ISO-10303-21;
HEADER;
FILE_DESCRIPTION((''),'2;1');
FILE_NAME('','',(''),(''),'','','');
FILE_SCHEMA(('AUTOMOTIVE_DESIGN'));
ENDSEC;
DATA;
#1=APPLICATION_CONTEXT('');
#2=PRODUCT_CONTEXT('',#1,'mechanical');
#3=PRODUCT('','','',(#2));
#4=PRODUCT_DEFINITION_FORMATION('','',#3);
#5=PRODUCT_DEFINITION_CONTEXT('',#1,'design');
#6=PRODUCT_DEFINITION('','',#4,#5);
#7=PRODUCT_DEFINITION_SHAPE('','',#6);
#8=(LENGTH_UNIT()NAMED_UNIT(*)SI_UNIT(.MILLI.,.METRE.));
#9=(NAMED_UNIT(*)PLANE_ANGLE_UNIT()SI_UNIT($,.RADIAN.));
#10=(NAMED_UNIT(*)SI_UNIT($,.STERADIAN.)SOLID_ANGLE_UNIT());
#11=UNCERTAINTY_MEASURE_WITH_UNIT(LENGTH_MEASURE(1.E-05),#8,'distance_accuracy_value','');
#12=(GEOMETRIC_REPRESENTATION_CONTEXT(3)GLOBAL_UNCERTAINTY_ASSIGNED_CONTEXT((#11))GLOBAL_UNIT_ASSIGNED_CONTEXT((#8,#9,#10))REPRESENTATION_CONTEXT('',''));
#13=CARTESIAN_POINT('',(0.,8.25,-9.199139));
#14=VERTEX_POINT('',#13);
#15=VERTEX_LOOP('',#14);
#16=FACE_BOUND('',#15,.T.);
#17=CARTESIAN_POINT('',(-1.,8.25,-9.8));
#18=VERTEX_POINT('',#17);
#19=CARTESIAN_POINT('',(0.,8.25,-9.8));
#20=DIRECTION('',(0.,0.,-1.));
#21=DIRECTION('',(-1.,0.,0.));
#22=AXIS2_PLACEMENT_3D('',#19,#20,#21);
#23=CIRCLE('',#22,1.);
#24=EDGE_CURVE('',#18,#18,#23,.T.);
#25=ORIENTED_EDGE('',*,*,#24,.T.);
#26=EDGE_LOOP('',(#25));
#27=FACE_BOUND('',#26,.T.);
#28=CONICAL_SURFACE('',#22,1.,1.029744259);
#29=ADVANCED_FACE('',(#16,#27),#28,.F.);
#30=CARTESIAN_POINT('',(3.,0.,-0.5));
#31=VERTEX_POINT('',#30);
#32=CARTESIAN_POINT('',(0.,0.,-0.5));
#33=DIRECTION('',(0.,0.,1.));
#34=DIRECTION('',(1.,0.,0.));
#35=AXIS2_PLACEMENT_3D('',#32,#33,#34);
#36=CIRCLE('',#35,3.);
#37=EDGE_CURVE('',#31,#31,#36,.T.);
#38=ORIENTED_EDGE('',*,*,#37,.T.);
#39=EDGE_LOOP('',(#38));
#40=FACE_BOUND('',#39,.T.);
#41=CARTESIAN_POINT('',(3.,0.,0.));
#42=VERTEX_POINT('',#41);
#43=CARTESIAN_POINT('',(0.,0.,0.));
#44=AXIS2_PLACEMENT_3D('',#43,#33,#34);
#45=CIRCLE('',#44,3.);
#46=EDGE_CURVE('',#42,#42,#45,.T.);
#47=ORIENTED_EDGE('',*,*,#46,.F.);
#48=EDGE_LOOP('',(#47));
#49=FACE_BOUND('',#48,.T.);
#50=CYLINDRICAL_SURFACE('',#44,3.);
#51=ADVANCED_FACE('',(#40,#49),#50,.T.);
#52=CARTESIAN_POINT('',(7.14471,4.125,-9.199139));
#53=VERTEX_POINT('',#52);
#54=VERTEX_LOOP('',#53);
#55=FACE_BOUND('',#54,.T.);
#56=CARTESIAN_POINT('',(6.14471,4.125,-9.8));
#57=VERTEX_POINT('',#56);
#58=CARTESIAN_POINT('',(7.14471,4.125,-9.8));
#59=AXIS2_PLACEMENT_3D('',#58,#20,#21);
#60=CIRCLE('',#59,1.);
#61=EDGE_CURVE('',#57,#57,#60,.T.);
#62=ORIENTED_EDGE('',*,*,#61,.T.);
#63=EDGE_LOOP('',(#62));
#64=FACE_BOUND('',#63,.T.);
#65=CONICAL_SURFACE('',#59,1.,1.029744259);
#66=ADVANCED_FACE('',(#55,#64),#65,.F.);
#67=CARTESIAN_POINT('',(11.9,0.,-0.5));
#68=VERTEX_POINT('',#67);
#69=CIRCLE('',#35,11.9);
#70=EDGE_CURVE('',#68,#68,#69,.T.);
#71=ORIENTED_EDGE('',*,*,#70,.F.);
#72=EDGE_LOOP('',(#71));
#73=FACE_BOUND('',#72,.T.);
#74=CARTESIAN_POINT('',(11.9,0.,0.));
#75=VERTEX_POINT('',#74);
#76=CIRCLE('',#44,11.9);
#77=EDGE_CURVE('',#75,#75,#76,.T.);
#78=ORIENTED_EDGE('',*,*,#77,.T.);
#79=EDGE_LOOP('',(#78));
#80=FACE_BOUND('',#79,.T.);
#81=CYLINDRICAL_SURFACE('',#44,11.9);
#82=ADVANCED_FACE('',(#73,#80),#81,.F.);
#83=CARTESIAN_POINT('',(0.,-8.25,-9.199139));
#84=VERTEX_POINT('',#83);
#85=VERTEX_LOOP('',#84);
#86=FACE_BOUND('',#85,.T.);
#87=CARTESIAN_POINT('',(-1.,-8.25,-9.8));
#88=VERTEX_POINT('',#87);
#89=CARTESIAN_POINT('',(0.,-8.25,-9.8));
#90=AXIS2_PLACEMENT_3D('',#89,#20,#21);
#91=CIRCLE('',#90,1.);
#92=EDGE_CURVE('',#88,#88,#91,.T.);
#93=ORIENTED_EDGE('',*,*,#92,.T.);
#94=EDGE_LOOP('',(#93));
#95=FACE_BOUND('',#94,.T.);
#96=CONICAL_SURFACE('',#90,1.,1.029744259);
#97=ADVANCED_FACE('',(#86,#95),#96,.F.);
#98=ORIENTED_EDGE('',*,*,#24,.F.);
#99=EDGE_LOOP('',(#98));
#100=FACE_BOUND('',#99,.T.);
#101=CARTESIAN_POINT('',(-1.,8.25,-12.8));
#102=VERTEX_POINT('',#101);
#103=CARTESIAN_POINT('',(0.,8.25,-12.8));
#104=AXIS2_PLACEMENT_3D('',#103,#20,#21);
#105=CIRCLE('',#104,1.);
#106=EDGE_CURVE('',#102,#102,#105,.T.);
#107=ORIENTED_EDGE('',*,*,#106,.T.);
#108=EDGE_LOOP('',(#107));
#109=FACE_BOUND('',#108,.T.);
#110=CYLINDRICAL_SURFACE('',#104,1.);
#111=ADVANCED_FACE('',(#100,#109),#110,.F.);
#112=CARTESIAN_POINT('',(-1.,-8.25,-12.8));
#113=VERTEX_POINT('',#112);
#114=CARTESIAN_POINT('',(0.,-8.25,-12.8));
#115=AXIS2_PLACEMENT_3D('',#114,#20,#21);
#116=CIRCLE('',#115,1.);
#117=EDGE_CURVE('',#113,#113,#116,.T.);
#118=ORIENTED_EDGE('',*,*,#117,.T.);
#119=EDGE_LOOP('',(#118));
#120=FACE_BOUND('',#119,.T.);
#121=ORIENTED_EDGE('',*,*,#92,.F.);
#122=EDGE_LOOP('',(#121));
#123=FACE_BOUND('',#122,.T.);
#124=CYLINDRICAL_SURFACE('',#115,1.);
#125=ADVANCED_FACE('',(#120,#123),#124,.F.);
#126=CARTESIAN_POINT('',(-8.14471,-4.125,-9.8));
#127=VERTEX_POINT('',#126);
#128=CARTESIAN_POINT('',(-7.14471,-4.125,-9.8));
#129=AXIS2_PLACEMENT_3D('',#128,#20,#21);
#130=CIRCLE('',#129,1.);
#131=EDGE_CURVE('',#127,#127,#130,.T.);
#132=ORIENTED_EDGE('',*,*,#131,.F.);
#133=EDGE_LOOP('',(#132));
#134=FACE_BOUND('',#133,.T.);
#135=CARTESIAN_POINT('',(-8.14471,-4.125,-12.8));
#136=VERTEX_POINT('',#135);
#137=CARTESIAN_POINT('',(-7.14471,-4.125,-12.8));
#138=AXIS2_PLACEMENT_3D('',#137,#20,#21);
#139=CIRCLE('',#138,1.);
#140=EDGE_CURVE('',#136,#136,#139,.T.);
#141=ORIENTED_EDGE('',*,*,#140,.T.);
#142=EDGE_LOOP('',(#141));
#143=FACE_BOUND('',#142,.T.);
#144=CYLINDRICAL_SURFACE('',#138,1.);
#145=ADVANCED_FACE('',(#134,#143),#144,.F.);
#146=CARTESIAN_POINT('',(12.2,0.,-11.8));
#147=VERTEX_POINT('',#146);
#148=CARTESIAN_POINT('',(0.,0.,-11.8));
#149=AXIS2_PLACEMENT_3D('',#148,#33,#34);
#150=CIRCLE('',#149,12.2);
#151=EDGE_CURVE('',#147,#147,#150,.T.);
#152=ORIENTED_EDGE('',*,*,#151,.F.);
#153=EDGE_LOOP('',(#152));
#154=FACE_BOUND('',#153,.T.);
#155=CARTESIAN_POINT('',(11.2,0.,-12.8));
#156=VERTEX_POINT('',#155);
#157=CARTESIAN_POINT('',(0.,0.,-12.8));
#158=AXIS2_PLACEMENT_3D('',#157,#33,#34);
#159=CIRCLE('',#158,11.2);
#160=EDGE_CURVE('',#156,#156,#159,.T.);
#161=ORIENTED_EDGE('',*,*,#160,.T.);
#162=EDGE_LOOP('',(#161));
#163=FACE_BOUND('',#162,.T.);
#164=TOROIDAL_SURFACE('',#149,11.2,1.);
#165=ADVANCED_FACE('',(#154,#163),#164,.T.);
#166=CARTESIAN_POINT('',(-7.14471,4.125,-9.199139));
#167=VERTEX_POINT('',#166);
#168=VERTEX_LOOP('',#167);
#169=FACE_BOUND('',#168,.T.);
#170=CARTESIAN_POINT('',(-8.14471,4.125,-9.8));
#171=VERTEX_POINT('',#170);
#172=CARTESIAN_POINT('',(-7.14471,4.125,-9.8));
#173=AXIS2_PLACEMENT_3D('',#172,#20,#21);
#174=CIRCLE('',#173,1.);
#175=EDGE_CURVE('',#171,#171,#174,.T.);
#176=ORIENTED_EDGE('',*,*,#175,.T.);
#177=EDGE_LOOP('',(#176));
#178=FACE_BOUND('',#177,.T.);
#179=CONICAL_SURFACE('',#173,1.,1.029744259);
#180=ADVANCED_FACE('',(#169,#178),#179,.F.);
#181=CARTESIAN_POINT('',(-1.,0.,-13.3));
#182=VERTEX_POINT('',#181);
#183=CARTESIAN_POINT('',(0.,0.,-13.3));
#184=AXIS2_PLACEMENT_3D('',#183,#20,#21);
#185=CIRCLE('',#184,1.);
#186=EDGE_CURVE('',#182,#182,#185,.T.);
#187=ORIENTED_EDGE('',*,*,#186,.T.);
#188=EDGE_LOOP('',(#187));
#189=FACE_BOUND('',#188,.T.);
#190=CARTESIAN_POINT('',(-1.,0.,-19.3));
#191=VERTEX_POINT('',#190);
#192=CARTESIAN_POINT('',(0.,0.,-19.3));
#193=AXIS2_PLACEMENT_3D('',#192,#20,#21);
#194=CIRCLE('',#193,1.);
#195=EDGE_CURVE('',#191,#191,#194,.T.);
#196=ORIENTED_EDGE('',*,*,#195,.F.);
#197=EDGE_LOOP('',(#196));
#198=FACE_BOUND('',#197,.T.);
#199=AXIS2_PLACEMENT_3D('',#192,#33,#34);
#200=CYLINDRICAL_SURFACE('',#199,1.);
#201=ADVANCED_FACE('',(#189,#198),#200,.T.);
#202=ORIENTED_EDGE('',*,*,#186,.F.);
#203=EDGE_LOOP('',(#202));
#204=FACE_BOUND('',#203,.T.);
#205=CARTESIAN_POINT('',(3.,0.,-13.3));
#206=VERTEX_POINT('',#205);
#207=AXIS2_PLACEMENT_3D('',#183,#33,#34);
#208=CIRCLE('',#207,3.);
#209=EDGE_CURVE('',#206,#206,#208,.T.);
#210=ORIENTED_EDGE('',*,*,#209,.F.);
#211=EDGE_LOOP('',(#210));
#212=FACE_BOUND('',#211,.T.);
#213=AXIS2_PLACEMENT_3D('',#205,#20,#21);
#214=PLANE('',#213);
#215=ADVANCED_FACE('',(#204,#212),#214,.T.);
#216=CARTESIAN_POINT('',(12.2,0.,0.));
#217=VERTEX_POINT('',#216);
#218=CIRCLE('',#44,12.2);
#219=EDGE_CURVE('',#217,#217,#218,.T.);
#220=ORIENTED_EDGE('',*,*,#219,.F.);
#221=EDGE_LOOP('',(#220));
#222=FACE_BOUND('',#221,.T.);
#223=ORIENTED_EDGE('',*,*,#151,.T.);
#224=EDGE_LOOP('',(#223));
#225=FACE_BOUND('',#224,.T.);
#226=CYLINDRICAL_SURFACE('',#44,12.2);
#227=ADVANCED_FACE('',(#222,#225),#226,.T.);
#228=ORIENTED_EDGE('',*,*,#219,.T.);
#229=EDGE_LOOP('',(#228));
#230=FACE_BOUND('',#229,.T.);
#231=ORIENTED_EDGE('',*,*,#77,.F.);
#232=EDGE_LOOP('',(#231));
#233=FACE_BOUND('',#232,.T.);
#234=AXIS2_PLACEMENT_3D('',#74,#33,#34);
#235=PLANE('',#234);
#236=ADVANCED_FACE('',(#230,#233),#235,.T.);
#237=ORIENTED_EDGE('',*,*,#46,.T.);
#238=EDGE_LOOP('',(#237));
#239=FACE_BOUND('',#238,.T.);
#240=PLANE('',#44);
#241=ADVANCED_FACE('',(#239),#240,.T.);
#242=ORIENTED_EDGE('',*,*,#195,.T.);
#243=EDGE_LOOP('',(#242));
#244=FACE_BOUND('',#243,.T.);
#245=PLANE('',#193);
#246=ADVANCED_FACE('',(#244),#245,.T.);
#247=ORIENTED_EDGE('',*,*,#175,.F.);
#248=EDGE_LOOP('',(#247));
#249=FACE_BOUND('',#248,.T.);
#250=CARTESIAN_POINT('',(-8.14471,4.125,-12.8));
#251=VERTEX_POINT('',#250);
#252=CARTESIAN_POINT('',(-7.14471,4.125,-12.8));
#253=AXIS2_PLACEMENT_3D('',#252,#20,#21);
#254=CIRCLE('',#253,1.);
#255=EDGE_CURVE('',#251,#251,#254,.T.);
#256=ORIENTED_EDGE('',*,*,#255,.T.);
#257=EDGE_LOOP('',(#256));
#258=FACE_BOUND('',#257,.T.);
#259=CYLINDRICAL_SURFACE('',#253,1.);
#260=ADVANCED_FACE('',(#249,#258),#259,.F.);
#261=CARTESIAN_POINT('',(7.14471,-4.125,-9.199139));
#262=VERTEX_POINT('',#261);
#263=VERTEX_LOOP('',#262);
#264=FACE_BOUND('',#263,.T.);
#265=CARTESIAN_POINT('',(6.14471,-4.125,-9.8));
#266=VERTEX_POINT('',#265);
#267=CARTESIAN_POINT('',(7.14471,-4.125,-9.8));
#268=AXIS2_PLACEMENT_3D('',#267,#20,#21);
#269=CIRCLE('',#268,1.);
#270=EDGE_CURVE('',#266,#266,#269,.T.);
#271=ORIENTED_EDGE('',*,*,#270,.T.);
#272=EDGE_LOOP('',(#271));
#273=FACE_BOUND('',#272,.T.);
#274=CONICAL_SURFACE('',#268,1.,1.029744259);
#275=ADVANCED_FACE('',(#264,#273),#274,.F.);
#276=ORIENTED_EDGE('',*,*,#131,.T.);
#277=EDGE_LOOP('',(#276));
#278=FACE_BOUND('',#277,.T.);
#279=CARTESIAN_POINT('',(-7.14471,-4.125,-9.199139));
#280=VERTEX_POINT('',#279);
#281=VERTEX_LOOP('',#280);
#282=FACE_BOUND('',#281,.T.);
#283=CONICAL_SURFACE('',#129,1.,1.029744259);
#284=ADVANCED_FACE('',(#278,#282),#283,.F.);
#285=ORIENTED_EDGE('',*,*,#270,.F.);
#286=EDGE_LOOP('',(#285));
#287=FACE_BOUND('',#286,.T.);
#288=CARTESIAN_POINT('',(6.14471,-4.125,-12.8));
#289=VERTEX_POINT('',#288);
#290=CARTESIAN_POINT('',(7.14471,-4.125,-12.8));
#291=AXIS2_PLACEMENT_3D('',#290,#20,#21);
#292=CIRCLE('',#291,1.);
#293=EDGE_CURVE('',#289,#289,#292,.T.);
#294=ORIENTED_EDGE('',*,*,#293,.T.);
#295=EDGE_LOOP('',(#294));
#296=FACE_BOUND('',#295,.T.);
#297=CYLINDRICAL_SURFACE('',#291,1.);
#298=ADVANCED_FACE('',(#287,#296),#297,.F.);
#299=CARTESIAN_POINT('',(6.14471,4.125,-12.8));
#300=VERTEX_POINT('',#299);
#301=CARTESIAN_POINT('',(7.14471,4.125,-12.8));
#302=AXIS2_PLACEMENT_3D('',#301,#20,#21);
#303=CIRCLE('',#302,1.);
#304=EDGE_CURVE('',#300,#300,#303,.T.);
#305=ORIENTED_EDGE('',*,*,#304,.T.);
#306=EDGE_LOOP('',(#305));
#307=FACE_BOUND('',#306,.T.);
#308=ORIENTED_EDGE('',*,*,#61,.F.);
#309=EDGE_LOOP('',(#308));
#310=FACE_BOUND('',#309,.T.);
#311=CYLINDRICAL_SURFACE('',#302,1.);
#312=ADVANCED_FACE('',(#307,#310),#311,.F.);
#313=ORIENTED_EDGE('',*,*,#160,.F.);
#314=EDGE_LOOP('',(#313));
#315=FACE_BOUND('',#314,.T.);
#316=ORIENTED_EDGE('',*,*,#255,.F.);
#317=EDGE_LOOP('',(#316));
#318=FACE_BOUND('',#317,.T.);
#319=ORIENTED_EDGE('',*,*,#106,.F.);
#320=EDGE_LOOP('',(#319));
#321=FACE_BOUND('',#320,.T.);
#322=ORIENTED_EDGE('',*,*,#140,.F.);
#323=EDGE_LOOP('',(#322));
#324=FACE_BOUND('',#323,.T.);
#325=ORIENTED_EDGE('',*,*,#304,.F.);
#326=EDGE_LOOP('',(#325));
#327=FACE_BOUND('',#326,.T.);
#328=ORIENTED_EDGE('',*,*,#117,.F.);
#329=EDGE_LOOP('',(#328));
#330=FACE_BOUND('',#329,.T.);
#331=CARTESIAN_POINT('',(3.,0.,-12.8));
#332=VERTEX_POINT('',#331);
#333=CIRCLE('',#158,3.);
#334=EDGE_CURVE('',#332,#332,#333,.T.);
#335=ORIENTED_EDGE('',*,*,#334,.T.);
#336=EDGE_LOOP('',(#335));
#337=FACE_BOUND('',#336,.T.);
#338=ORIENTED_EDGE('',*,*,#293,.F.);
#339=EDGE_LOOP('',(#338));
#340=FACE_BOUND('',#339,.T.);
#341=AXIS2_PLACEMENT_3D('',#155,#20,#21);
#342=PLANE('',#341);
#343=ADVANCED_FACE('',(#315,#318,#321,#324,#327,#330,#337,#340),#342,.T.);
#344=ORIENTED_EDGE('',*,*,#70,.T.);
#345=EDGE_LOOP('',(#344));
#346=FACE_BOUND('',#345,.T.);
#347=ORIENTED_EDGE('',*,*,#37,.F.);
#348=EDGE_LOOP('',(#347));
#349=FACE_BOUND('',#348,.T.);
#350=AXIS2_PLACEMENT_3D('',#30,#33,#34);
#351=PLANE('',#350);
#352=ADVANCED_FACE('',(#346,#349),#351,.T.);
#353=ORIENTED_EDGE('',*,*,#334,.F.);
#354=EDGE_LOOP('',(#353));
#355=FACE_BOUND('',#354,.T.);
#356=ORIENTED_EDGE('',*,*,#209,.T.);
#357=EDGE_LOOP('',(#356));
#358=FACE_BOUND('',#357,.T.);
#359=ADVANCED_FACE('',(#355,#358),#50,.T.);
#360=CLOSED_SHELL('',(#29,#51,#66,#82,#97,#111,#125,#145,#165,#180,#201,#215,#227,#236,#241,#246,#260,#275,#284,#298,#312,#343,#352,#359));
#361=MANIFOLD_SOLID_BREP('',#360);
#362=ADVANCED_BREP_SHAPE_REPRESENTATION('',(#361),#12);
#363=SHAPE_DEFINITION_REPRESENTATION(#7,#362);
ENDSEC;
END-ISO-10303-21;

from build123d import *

# Parameters (mm, degrees)
SKETCH2_R           = 1
BOSS_EXTRUDE1_DEPTH = 6
CIRPATTERN1_COUNT   = 6


with BuildPart() as part:
    # Sketch1 → Revolve1 (revolve)
    with BuildSketch(Plane(origin=(0, 0, 0), x_dir=(1, 0, 0), z_dir=(0, 1, 0))):
        with BuildLine():
            Line((0, 0), (3, 0))
            Line((3, 0), (3, 0.5))
            Line((3, 0.5), (11.9, 0.5))
            Line((11.9, 0.5), (11.9, 0))
            Line((11.9, 0), (12.2, 0))
            Line((12.2, 0), (12.2, 11.8))
            ThreePointArc((12.2, 11.8), (11.907106781, 12.507106781), (11.2, 12.8))
            Line((11.2, 12.8), (3, 12.8))
            Line((3, 12.8), (3, 13.3))
            Line((3, 13.3), (0, 13.3))
            Line((0, 13.3), (0, 0))
        make_face()
    revolve(axis=Axis((0, 0, 0), (0, 0, -1)))

    # Sketch2 → Boss-Extrude1 (add)
    with BuildSketch(Plane(origin=(0, 0, -13.3), x_dir=(-1, 0, 0), z_dir=(0, 0, -1))):
        Circle(SKETCH2_R)
    extrude(amount=BOSS_EXTRUDE1_DEPTH)

    # Sketch4 → M1.6 Clearance Hole1 (revolve, cut)
    with BuildSketch(Plane(origin=(0, 8.25, -12.8), x_dir=(0, 1, 0), z_dir=(1, 0, 0))):
        Polygon((0, 0), (0, 3.600860619), (1, 3), (1, 0), align=None)
    m1_6_clearance_hole1 = revolve(axis=Axis((0, 8.25, -19.15), (0, 0, 1)), mode=Mode.SUBTRACT)

    # CirPattern1: M1.6 Clearance Hole1 ×6 about axis
    cirpattern1_axis = Axis((0, 0, 0), (0, 0, 1))
    for i in range(1, CIRPATTERN1_COUNT):
        add(m1_6_clearance_hole1.rotate(cirpattern1_axis, i * 360 / CIRPATTERN1_COUNT), mode=Mode.SUBTRACT)


solid = part.part
